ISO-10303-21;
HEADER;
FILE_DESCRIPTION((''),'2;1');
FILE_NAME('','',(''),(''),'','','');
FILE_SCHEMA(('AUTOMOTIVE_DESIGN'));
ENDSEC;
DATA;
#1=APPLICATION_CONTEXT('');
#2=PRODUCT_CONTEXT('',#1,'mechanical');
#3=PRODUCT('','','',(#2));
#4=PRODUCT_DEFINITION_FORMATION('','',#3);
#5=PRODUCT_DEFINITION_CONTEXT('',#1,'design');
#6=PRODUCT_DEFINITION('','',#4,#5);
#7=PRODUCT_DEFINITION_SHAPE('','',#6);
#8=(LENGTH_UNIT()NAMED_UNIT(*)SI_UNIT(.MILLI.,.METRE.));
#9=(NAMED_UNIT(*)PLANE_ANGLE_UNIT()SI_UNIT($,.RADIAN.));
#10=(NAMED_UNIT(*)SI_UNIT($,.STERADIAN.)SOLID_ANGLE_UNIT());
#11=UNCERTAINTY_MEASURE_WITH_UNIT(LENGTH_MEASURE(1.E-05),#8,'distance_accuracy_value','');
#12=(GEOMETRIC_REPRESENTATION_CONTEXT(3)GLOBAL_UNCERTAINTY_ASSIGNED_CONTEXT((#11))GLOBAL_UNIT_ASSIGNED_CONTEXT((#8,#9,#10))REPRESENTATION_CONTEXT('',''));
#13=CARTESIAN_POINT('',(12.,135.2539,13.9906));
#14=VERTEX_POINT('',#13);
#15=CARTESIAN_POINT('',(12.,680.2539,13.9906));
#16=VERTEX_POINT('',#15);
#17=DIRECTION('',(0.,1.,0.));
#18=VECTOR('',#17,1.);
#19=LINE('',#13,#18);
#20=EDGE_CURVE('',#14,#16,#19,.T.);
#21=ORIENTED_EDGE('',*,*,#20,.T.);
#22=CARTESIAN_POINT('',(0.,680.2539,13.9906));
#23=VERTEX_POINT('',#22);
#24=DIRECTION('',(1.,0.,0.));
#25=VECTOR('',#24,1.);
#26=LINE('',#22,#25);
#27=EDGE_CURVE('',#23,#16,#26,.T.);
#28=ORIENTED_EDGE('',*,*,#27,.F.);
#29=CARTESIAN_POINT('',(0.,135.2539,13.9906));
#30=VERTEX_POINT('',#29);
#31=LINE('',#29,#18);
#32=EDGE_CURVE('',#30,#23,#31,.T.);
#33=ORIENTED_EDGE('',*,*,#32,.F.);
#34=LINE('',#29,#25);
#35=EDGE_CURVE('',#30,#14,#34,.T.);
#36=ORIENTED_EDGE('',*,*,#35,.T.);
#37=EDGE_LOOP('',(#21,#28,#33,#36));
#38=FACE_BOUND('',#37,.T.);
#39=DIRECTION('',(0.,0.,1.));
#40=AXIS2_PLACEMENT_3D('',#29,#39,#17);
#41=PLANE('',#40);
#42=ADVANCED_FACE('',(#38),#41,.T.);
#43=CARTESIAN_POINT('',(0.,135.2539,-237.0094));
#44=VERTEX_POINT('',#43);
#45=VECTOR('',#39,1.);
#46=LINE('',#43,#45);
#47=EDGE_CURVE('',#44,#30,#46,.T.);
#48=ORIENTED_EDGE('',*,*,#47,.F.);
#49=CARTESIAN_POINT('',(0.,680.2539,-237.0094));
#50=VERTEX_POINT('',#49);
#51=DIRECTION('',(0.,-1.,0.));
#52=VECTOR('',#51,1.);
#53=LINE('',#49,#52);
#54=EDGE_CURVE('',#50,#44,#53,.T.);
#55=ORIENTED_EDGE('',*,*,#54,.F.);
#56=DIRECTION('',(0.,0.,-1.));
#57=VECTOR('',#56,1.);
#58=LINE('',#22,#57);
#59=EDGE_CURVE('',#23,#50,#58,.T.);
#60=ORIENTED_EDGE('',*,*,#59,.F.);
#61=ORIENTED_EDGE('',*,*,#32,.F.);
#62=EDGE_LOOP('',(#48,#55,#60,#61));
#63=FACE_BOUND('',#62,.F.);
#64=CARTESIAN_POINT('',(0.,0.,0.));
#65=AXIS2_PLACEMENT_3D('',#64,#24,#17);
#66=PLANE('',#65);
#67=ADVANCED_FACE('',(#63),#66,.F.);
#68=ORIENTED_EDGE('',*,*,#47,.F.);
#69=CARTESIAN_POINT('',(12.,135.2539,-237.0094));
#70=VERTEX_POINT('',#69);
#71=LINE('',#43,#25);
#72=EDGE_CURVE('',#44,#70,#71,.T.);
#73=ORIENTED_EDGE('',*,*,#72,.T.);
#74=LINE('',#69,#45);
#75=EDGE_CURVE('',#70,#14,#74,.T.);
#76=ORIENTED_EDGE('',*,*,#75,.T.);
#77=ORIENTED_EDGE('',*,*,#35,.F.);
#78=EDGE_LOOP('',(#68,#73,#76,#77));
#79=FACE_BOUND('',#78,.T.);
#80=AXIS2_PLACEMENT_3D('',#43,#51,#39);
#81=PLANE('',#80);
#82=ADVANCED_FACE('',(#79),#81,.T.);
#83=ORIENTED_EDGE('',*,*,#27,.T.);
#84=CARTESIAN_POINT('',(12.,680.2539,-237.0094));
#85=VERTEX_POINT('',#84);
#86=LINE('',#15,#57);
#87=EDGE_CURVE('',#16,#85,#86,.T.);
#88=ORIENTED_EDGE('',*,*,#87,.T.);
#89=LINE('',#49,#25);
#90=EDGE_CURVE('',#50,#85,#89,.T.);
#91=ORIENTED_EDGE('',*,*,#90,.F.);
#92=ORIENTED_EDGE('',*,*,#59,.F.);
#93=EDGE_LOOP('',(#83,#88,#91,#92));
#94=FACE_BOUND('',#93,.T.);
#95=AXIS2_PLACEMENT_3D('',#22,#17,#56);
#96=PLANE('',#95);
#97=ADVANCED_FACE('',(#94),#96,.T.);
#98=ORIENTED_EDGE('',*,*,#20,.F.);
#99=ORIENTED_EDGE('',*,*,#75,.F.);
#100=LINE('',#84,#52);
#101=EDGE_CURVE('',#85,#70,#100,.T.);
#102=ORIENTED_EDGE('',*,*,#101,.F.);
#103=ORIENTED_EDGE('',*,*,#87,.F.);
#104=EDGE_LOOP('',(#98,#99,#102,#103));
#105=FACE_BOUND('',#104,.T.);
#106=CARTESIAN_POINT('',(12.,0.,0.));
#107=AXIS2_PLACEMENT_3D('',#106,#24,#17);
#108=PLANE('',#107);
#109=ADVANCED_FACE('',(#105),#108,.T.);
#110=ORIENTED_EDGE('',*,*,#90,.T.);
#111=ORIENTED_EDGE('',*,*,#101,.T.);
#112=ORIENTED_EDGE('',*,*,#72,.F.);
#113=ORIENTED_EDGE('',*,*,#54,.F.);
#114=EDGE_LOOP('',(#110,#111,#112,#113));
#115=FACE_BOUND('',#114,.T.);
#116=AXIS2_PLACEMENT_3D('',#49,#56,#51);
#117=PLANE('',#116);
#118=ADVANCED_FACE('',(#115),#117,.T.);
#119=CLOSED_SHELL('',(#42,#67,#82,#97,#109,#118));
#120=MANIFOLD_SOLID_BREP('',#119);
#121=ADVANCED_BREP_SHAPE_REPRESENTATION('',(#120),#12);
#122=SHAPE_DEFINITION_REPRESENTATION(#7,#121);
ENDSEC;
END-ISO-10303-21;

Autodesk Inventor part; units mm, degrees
ref_plane "YZ Plane" through (0, 0, 0) normal (1, 0, 0) x (0, 1, 0)
ref_plane "XZ Plane" through (0, 0, 0) normal (0, 1, 0) x (-1, 0, 0)
ref_plane "XY Plane" through (0, 0, 0) normal (0, 0, 1) x (1, 0, 0)
sketch "Sketch1" plane through (0, 0, 0) normal (1, 0, 0) x (0, 1, 0)
  line L0 (135.2539, 13.9906) -> (680.2539, 13.9906)
  line L1 (680.2539, 13.9906) -> (680.2539, -237.0094)
  line L2 (680.2539, -237.0094) -> (135.2539, -237.0094)
  line L3 (135.2539, -237.0094) -> (135.2539, 13.9906)
  point P0 (0, 0)
  dimension "b" = 545
  dimension "d1" = 251
extrude "Extrusion1" add sketch "Sketch1" along normal blind 12
properties part number "CUT PART K-01" material "Wood (Birch)"
